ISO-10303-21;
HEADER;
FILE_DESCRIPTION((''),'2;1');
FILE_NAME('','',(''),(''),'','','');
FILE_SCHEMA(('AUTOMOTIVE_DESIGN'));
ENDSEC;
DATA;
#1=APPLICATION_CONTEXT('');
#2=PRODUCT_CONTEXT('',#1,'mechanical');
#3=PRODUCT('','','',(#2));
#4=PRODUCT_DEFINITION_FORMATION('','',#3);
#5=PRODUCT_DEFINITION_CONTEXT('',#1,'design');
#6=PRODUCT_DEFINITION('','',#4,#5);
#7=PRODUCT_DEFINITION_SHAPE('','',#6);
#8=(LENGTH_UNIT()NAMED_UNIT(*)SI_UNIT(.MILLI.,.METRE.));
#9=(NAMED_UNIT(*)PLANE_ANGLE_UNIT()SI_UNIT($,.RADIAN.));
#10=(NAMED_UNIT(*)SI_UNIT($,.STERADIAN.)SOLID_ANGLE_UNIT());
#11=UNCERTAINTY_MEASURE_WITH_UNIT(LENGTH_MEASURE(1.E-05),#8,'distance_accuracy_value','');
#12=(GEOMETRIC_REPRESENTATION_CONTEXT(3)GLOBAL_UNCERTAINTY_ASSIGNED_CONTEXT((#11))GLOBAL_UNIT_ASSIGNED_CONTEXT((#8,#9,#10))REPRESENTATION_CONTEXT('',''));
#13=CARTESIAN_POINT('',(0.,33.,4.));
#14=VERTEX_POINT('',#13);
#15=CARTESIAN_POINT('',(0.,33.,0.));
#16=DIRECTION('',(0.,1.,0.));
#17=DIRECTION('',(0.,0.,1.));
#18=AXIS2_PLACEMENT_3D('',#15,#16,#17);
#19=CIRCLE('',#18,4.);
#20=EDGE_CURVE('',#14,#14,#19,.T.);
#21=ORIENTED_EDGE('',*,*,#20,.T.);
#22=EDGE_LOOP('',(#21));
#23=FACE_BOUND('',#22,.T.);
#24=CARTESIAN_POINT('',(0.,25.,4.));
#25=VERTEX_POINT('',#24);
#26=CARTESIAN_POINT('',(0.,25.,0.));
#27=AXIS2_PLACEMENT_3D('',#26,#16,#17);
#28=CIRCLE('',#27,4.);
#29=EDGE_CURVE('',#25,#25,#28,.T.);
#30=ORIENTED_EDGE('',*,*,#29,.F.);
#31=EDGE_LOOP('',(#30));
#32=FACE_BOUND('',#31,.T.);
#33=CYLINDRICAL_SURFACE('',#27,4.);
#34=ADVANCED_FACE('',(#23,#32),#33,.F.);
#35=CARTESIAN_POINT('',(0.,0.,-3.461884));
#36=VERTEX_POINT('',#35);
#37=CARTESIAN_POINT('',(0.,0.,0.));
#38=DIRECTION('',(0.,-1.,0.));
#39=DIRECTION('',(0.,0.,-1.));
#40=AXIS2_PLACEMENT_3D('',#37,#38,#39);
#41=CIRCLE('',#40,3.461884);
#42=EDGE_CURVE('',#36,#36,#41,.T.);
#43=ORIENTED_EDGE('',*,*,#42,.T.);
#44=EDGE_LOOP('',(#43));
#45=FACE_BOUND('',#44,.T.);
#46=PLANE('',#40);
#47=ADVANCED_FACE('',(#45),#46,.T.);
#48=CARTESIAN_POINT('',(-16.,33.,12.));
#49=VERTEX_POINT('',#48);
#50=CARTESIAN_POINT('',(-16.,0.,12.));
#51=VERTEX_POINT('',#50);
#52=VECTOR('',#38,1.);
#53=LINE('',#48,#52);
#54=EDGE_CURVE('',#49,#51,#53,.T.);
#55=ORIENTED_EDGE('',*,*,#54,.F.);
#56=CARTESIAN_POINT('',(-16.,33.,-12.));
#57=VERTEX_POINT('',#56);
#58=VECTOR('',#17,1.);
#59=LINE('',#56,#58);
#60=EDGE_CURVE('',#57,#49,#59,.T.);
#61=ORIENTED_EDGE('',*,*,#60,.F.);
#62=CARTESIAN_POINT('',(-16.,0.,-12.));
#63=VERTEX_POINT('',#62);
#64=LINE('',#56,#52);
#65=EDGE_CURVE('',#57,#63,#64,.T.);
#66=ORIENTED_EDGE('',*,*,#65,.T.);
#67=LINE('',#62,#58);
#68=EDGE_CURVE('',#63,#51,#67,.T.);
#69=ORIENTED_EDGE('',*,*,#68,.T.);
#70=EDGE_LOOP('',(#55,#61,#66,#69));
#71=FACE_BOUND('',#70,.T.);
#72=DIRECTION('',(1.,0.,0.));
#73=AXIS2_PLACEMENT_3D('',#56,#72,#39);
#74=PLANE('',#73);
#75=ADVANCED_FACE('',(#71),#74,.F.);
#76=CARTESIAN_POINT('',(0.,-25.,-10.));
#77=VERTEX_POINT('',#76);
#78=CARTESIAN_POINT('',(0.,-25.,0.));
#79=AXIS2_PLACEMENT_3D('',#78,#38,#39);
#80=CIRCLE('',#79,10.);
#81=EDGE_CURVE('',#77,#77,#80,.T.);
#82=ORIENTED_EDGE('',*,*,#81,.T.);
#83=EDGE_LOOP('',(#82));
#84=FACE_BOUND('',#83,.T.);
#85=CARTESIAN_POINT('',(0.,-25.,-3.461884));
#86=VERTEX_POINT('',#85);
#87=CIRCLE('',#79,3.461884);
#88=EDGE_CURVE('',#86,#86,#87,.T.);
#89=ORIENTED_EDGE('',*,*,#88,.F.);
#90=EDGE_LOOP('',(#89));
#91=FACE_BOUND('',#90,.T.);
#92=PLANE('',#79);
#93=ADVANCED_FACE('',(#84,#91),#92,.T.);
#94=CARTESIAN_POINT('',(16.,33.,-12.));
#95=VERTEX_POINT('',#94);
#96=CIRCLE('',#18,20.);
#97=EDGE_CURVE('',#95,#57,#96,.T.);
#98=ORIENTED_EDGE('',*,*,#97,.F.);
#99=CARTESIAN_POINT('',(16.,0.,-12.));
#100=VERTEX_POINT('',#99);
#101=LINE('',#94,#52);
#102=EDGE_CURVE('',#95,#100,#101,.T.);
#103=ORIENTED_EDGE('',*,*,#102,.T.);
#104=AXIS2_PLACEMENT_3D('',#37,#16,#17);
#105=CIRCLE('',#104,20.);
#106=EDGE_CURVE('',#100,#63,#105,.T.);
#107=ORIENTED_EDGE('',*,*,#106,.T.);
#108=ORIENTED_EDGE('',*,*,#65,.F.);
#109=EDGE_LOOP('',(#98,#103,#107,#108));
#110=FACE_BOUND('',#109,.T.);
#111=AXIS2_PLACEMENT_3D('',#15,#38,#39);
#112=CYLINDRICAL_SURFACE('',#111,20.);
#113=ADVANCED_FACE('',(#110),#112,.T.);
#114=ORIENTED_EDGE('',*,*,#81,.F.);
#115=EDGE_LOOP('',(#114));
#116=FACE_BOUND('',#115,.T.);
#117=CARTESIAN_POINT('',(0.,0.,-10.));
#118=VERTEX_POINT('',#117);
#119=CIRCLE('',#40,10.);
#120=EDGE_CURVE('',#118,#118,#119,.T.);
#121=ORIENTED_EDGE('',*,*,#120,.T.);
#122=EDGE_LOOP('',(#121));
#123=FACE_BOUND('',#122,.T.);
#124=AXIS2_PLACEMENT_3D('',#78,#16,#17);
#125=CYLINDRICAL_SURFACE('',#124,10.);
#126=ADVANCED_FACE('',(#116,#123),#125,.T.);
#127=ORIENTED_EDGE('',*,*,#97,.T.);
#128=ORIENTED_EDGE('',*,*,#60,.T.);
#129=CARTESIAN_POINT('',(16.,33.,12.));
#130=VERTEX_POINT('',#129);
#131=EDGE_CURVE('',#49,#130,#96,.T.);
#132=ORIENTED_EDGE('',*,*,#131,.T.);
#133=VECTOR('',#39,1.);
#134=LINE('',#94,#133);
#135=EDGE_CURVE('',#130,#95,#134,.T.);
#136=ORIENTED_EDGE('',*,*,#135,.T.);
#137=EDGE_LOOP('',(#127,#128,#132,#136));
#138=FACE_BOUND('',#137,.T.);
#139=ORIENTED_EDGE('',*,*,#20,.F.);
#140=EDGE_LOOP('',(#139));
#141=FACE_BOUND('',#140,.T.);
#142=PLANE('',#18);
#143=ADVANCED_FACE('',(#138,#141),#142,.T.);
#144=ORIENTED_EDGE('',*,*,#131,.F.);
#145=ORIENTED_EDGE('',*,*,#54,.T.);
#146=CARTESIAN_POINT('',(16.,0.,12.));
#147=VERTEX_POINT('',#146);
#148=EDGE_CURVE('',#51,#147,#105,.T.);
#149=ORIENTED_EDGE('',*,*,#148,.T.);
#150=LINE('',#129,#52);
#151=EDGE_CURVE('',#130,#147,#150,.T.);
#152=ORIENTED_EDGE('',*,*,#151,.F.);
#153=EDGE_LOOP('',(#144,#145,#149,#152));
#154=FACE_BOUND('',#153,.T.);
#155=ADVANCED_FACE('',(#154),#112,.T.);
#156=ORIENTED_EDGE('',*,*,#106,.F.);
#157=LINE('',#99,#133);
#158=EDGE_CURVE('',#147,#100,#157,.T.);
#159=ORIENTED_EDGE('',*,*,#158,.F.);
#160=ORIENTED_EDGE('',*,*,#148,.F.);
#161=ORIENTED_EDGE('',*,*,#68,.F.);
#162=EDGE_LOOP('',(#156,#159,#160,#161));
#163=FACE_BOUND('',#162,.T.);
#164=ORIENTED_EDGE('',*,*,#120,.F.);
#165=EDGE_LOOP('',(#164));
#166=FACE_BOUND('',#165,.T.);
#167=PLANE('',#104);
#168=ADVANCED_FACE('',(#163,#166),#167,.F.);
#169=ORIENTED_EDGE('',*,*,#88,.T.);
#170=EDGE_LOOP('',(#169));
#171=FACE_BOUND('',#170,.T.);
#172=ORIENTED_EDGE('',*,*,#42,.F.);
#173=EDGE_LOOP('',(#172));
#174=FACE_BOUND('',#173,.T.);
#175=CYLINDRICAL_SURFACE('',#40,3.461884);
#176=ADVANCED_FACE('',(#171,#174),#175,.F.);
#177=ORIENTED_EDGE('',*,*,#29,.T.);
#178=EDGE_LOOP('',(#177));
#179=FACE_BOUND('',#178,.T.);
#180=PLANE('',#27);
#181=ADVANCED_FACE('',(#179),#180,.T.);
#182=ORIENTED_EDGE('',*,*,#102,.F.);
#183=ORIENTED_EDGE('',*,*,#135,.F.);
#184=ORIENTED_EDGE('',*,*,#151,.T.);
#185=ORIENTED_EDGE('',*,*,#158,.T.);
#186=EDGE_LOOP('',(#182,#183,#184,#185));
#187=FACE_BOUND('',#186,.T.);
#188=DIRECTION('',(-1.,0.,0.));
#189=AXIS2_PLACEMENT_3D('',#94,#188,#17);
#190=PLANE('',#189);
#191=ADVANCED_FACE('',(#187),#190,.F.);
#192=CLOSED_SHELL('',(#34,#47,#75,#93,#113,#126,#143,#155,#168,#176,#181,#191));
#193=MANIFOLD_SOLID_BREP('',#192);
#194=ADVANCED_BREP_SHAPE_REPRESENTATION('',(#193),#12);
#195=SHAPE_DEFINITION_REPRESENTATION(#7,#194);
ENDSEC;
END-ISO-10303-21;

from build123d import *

# Parameters (mm, degrees)
EXTRUDE_1_DEPTH     = 33
SKETCH_2_R          = 10
EXTRUDE_2_DEPTH     = 25
SKETCH_3_R          = 4
CUT_EXTRUDE_1_DEPTH = 8
SKETCH_4_R          = 3.46188381
CUT_EXTRUDE_2_DEPTH = 25


with BuildPart() as part:
    # 草图1 → 凸台-拉伸1 (new body)
    with BuildSketch(Plane(origin=(0, 0, 0), x_dir=(1, 0, 0), z_dir=(0, 1, 0))):
        with BuildLine():
            Line((-16, 12), (-16, -12))
            ThreePointArc((-16, -12), (0, -20), (16, -12))
            Line((16, -12), (16, 12))
            ThreePointArc((16, 12), (0, 20), (-16, 12))
        make_face()
    extrude(amount=EXTRUDE_1_DEPTH)

    # 草图2 → 凸台-拉伸2 (add)
    with BuildSketch(Plane.XZ):
        with Locations(Location((0, 0, 0), (0, 0, 270))):
            Circle(SKETCH_2_R)
    extrude(amount=EXTRUDE_2_DEPTH)

    # 草图3 → 切除-拉伸1 (cut)
    with BuildSketch(Plane(origin=(0, 33, 0), x_dir=(1, 0, 0), z_dir=(0, 1, 0))):
        with Locations(Location((0, 0, 0), (0, 0, 270))):
            Circle(SKETCH_3_R)
    extrude(amount=-CUT_EXTRUDE_1_DEPTH, mode=Mode.SUBTRACT)

    # 草图4 → 切除-拉伸2 (cut)
    with BuildSketch(Plane.XZ.offset(25)):
        with Locations(Location((0, 0, 0), (0, 0, 270))):
            Circle(SKETCH_4_R)
    extrude(amount=-CUT_EXTRUDE_2_DEPTH, mode=Mode.SUBTRACT)


solid = part.part
